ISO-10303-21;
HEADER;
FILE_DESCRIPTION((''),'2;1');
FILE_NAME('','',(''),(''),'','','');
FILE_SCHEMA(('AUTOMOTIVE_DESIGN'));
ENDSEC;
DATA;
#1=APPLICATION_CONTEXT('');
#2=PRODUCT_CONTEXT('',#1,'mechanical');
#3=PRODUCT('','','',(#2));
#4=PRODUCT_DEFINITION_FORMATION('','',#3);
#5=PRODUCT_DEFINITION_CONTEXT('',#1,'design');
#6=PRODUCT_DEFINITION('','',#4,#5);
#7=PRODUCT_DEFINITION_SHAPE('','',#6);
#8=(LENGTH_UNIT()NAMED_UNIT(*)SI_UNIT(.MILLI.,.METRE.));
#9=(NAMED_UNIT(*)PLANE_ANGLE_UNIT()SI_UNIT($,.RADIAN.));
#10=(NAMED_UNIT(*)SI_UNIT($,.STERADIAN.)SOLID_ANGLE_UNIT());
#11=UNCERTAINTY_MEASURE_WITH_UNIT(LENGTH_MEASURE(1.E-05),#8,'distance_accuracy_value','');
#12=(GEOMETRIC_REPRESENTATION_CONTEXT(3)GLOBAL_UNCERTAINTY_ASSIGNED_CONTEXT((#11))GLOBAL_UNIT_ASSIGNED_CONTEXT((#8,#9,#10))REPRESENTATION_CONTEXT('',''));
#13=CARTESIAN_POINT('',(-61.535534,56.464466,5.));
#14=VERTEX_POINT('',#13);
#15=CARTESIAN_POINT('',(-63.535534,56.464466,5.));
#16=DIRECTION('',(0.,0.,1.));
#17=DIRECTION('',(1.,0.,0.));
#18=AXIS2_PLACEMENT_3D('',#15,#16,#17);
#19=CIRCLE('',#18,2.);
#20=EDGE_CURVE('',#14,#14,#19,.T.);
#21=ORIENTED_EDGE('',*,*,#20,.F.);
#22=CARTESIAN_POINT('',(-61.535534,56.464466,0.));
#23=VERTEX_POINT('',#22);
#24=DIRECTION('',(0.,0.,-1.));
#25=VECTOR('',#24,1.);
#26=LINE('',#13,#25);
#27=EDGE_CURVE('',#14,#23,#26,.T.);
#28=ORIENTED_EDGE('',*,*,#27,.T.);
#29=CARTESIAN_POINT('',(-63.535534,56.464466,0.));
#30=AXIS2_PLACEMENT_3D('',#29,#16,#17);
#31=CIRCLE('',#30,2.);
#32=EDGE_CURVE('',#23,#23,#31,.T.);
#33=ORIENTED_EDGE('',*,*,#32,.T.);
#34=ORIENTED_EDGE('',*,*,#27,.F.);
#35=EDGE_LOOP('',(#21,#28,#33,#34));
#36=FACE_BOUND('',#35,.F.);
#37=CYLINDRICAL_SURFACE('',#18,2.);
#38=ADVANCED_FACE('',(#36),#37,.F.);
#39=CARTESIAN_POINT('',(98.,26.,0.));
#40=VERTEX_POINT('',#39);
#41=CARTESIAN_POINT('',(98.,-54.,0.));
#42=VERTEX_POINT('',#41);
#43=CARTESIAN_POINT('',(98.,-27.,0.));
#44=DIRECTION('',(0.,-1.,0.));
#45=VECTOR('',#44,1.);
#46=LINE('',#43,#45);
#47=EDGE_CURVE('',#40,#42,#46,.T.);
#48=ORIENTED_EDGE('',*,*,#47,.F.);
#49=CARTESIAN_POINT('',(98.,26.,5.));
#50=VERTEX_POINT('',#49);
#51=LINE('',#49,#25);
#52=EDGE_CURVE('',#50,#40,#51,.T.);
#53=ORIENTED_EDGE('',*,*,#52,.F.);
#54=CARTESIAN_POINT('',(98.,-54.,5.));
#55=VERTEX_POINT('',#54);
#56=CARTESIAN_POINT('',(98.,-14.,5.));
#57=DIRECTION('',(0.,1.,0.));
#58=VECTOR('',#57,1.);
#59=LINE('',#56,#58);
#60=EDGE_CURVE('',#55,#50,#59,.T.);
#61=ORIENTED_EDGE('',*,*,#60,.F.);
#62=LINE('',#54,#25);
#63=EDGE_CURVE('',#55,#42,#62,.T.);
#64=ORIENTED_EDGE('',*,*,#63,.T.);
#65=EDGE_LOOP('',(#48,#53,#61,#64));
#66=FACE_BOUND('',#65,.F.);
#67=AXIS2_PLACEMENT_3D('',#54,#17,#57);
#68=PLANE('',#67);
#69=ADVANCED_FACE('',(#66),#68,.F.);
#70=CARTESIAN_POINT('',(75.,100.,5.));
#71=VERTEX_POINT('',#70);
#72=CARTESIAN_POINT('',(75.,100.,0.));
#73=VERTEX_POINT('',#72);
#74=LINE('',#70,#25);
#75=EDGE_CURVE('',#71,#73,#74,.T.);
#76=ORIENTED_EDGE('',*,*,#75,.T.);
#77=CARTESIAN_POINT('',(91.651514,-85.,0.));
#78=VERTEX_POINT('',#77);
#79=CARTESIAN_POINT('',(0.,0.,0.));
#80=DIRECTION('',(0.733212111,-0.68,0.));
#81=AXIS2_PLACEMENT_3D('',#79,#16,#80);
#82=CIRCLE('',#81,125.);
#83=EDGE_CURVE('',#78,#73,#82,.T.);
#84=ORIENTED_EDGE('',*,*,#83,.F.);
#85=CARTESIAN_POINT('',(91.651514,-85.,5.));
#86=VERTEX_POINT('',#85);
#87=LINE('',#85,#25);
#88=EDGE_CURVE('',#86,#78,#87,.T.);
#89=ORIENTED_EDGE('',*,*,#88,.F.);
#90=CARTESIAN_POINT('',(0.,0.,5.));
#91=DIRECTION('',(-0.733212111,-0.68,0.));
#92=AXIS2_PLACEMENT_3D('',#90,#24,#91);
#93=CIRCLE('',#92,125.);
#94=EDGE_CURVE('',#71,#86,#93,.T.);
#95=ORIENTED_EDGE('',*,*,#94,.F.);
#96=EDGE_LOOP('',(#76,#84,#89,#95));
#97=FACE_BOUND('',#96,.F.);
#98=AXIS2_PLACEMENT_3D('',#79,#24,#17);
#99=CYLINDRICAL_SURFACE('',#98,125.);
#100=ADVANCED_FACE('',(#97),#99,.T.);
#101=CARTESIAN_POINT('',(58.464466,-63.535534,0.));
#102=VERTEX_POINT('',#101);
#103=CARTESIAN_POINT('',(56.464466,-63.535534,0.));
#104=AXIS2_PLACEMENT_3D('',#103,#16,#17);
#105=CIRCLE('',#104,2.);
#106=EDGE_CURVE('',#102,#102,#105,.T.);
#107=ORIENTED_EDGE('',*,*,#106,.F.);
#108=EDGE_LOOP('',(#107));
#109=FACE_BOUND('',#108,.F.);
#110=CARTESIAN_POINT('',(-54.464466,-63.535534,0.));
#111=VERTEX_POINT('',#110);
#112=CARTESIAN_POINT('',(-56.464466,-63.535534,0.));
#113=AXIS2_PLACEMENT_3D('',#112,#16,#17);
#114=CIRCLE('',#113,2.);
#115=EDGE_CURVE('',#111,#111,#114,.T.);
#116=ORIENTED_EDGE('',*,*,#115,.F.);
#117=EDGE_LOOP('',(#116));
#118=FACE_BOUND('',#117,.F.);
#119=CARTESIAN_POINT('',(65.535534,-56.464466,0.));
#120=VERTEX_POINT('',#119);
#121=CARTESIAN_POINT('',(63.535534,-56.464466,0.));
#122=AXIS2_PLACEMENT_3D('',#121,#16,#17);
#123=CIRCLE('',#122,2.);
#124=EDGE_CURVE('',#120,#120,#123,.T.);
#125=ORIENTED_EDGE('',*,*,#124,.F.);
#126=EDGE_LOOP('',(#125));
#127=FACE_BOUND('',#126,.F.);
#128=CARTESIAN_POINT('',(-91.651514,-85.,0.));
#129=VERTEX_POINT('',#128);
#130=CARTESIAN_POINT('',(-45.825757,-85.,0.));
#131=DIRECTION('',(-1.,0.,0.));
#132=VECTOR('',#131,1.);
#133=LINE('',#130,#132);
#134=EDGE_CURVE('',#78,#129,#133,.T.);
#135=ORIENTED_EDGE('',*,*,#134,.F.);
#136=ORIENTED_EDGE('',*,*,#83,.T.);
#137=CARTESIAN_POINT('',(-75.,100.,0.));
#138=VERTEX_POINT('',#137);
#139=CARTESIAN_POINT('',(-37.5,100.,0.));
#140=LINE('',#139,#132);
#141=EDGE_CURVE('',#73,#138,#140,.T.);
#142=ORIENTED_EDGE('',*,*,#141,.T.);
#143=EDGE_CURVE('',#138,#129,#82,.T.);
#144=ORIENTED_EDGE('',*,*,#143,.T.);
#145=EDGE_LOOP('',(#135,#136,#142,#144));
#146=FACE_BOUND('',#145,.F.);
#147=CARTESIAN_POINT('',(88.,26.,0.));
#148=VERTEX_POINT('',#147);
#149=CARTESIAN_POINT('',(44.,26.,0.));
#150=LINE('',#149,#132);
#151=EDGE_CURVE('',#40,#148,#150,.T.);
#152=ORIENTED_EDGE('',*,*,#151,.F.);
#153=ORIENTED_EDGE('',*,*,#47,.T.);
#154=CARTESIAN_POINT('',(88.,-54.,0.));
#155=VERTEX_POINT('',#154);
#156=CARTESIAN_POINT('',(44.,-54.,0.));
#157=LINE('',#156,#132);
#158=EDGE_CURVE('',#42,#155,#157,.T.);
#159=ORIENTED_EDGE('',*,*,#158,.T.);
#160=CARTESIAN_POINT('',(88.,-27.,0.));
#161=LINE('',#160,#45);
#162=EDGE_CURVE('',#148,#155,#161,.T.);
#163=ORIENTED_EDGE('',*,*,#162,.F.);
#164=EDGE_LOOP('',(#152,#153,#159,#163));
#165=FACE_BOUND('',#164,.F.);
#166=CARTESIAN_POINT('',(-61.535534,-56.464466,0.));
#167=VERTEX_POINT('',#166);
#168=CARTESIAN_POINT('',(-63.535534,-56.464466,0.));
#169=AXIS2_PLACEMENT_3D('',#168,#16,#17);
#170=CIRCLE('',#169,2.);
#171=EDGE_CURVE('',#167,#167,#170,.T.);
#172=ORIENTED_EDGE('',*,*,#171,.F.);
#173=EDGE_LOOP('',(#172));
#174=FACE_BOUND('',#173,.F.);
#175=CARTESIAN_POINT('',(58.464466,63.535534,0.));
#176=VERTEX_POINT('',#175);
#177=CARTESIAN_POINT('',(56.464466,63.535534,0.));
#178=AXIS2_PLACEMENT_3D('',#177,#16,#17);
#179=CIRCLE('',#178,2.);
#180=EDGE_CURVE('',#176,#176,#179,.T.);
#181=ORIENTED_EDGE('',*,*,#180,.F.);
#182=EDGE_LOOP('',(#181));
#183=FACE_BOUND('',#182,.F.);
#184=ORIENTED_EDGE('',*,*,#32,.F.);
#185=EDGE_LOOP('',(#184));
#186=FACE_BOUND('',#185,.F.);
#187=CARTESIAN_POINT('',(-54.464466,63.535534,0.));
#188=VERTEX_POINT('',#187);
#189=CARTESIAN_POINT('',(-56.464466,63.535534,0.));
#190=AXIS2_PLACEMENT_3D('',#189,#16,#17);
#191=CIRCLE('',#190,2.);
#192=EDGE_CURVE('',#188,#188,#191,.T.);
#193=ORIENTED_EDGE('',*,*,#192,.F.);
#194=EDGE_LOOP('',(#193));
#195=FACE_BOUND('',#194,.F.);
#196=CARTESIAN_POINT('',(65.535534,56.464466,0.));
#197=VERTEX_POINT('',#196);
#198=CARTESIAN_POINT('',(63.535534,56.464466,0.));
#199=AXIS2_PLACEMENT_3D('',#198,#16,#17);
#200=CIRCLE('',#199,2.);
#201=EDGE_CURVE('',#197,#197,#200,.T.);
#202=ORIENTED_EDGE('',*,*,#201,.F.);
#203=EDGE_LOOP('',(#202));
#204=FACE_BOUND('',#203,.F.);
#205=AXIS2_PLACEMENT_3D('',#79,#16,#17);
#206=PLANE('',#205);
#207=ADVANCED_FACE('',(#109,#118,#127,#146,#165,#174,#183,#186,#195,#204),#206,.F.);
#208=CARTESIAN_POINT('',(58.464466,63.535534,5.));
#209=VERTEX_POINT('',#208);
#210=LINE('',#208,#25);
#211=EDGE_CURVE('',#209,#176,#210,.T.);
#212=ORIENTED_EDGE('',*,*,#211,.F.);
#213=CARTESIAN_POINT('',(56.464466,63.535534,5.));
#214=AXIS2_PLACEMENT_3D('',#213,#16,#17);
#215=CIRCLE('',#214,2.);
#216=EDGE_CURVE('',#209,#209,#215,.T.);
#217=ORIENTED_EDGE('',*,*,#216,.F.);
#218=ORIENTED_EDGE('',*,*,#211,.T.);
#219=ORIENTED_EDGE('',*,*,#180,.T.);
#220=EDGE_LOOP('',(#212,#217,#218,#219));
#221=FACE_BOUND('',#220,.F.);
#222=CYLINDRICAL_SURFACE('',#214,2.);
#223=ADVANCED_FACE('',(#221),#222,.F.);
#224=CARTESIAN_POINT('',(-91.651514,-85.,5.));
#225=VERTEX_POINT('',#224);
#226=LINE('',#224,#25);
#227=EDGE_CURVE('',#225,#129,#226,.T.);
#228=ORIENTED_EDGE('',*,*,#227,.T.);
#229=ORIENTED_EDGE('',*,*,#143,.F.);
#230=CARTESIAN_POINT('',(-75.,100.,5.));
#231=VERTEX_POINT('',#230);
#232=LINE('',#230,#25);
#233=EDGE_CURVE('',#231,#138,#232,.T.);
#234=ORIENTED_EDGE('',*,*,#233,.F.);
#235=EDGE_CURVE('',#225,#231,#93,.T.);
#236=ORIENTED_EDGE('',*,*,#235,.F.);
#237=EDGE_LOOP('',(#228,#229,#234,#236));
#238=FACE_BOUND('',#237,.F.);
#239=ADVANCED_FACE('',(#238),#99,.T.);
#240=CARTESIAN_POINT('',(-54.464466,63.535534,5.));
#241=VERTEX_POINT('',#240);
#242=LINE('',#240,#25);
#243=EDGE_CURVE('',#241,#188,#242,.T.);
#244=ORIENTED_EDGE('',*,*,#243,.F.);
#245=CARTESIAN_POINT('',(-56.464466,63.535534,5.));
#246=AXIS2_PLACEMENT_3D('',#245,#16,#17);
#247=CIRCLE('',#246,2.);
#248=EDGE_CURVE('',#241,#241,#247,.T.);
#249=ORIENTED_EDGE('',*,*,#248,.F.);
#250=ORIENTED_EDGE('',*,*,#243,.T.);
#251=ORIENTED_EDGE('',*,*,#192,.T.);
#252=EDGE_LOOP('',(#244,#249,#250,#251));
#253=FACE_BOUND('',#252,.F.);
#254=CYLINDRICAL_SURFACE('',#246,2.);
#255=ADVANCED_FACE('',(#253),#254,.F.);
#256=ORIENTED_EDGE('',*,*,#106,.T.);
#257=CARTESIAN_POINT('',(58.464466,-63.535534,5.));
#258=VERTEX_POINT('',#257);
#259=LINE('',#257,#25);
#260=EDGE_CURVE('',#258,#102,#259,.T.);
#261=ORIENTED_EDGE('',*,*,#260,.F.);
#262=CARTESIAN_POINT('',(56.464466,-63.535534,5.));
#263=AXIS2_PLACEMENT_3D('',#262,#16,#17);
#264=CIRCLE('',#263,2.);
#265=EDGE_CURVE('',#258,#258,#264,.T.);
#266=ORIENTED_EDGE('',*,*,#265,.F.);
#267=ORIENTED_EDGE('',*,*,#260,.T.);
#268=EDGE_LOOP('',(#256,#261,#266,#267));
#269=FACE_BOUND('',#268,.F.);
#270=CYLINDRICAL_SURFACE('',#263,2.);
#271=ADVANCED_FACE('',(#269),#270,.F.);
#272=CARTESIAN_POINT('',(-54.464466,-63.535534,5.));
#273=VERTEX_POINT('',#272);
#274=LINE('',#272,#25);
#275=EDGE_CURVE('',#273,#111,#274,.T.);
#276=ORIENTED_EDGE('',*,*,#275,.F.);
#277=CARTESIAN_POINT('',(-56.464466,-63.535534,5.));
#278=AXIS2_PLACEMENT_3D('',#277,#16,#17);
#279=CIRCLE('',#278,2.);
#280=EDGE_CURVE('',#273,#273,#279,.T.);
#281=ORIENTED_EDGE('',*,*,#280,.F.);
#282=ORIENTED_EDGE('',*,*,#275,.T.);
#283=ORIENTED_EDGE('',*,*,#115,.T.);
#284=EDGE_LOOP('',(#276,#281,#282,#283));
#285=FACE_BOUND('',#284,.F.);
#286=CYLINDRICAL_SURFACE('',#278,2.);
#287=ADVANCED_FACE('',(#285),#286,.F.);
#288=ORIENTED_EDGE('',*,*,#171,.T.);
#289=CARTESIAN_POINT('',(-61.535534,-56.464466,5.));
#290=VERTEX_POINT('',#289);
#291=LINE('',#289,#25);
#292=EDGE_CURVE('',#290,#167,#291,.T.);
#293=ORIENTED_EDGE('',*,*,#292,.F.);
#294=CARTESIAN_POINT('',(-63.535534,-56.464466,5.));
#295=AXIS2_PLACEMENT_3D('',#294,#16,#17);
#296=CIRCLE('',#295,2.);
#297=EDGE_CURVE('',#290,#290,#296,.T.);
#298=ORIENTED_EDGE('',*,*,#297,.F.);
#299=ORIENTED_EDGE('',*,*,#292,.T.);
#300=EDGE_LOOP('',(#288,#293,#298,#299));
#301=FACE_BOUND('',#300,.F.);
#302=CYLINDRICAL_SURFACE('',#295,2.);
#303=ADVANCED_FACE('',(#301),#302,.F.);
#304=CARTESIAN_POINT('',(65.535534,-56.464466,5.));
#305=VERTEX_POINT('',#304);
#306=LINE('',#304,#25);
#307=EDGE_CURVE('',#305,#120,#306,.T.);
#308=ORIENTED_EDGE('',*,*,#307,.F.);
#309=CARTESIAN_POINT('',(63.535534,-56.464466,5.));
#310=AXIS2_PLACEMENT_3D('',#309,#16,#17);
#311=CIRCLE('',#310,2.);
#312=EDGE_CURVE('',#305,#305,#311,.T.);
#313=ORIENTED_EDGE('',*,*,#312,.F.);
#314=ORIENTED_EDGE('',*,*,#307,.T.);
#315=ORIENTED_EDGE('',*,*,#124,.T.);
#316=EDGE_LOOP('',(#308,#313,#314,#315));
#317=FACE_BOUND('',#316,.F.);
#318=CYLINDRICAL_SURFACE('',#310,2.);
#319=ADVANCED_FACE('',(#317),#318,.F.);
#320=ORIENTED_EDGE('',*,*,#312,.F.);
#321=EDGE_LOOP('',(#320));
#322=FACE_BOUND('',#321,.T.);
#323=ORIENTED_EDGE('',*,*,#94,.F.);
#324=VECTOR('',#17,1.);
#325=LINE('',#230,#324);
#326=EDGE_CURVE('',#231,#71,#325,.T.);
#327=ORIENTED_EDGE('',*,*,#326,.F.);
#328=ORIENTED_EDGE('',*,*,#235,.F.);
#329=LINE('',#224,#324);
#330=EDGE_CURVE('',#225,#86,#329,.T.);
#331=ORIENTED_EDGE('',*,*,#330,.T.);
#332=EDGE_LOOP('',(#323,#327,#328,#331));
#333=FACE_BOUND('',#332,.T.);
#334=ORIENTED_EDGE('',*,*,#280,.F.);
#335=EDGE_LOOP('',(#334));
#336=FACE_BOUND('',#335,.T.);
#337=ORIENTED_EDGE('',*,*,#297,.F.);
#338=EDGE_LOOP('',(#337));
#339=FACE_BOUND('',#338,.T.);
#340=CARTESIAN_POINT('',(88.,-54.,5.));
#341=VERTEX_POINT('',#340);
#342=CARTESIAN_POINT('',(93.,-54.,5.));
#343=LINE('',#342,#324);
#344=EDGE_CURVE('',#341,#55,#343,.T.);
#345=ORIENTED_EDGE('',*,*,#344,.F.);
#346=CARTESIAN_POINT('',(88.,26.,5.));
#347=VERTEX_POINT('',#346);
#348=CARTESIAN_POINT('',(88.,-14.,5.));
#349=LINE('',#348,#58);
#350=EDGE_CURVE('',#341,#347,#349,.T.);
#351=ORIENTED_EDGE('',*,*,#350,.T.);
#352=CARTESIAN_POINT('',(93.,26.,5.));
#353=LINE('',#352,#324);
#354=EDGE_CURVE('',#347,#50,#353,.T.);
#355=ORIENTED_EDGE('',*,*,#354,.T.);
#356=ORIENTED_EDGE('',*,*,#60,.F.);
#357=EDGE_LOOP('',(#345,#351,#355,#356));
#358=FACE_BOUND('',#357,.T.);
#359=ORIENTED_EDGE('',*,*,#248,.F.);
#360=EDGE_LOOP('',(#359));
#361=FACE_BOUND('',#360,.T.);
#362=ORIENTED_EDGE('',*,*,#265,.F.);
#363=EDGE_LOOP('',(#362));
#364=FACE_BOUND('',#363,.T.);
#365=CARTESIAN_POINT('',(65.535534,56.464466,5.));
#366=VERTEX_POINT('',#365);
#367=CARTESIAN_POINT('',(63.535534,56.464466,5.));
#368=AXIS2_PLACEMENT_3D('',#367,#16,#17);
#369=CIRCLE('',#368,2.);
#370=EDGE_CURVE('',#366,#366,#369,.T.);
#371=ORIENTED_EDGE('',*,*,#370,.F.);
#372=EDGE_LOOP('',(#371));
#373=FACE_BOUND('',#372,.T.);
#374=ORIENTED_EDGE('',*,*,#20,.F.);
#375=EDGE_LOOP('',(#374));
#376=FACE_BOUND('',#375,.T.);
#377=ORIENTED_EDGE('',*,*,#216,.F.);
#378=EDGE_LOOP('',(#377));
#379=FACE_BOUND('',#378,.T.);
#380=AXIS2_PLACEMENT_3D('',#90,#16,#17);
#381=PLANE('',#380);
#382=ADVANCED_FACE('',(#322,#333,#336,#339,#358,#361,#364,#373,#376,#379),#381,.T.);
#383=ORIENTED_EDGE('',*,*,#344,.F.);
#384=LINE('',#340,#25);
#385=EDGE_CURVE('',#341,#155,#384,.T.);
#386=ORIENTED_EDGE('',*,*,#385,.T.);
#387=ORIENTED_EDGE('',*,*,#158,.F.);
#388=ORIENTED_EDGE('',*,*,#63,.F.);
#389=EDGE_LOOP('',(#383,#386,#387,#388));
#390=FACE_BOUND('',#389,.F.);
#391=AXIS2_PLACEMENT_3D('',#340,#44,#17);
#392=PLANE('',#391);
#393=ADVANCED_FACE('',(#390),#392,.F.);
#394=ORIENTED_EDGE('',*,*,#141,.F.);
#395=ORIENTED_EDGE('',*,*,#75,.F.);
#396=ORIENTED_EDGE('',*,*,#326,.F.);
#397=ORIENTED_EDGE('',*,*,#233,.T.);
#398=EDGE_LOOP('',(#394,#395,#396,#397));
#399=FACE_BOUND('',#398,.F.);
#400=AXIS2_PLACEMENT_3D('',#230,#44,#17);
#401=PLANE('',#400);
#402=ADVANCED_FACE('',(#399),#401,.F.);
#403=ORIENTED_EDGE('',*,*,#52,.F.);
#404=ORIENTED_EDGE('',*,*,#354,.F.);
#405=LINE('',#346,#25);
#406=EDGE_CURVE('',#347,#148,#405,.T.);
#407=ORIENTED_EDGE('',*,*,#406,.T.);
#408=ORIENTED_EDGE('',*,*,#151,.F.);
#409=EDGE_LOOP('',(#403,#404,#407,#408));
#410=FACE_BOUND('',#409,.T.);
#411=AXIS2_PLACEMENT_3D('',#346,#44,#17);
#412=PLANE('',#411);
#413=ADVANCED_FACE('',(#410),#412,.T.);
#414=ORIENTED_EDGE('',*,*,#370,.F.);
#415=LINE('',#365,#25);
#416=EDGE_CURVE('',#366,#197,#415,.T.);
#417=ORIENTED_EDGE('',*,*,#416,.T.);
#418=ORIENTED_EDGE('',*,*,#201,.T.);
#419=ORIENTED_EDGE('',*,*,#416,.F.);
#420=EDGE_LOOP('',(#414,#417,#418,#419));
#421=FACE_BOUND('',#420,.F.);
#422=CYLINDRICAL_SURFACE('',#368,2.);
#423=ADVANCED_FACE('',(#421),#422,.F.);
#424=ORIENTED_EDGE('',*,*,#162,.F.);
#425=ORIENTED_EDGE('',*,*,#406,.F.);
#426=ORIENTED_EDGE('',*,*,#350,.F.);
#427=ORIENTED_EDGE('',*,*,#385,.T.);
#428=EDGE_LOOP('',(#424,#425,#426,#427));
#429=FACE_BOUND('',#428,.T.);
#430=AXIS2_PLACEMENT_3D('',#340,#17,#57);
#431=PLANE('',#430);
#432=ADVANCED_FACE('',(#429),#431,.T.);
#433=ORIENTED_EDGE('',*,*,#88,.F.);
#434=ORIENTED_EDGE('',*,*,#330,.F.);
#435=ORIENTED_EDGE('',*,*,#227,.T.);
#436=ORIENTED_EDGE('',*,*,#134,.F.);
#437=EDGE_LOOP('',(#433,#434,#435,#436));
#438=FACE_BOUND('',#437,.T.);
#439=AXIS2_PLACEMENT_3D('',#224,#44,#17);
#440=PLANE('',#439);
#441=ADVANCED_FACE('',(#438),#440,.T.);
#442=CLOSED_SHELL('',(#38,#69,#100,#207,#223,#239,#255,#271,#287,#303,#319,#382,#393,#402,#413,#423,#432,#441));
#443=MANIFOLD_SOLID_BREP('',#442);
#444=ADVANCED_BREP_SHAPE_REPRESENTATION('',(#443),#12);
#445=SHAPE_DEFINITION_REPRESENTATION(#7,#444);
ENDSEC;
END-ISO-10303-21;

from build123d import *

# Parameters (mm, degrees)
SKETCH1_R           = 125
BOSS_EXTRUDE1_DEPTH = 5
CUT_EXTRUDE1_REACH  = 7
SKETCH2_R           = 2
CUT_EXTRUDE2_REACH  = 7
CUT_EXTRUDE3_REACH  = 7
SKETCH4_W           = 10
SKETCH4_H           = 80
CUT_EXTRUDE4_REACH  = 7


with BuildPart() as part:
    # Sketch1 → Boss-Extrude1 (new body)
    with BuildSketch(Plane.XY):
        Circle(SKETCH1_R)
    extrude(amount=BOSS_EXTRUDE1_DEPTH)

    # Sketch2 → Cut-Extrude1 (cut, up to next)
    with BuildSketch(Plane.XY.offset(5), mode=Mode.PRIVATE) as cut_extrude1_sk1:
        with Locations((-56.464466094, -63.535533906)):
            Circle(SKETCH2_R)
    cut_extrude1_tool1 = extrude(cut_extrude1_sk1.sketch, amount=-CUT_EXTRUDE1_REACH, mode=Mode.PRIVATE) & part.part
    add(cut_extrude1_tool1.solids().sort_by_distance((-56.464466, -63.535534, 5))[0], mode=Mode.SUBTRACT)
    # Sketch2 → Cut-Extrude1 (cut, up to next)
    with BuildSketch(Plane.XY.offset(5), mode=Mode.PRIVATE) as cut_extrude1_sk2:
        with Locations((-63.535533906, -56.464466094)):
            Circle(SKETCH2_R)
    cut_extrude1_tool2 = extrude(cut_extrude1_sk2.sketch, amount=-CUT_EXTRUDE1_REACH, mode=Mode.PRIVATE) & part.part
    add(cut_extrude1_tool2.solids().sort_by_distance((-63.535534, -56.464466, 5))[0], mode=Mode.SUBTRACT)
    # Sketch2 → Cut-Extrude1 (cut, up to next)
    with BuildSketch(Plane.XY.offset(5), mode=Mode.PRIVATE) as cut_extrude1_sk3:
        with Locations((-56.464466094, 63.535533906)):
            Circle(SKETCH2_R)
    cut_extrude1_tool3 = extrude(cut_extrude1_sk3.sketch, amount=-CUT_EXTRUDE1_REACH, mode=Mode.PRIVATE) & part.part
    add(cut_extrude1_tool3.solids().sort_by_distance((-56.464466, 63.535534, 5))[0], mode=Mode.SUBTRACT)
    # Sketch2 → Cut-Extrude1 (cut, up to next)
    with BuildSketch(Plane.XY.offset(5), mode=Mode.PRIVATE) as cut_extrude1_sk4:
        with Locations((-63.535533906, 56.464466094)):
            Circle(SKETCH2_R)
    cut_extrude1_tool4 = extrude(cut_extrude1_sk4.sketch, amount=-CUT_EXTRUDE1_REACH, mode=Mode.PRIVATE) & part.part
    add(cut_extrude1_tool4.solids().sort_by_distance((-63.535534, 56.464466, 5))[0], mode=Mode.SUBTRACT)
    # Sketch2 → Cut-Extrude1 (cut, up to next)
    with BuildSketch(Plane.XY.offset(5), mode=Mode.PRIVATE) as cut_extrude1_sk5:
        with Locations((56.464466094, 63.535533906)):
            Circle(SKETCH2_R)
    cut_extrude1_tool5 = extrude(cut_extrude1_sk5.sketch, amount=-CUT_EXTRUDE1_REACH, mode=Mode.PRIVATE) & part.part
    add(cut_extrude1_tool5.solids().sort_by_distance((56.464466, 63.535534, 5))[0], mode=Mode.SUBTRACT)
    # Sketch2 → Cut-Extrude1 (cut, up to next)
    with BuildSketch(Plane.XY.offset(5), mode=Mode.PRIVATE) as cut_extrude1_sk6:
        with Locations((63.535533906, 56.464466094)):
            Circle(SKETCH2_R)
    cut_extrude1_tool6 = extrude(cut_extrude1_sk6.sketch, amount=-CUT_EXTRUDE1_REACH, mode=Mode.PRIVATE) & part.part
    add(cut_extrude1_tool6.solids().sort_by_distance((63.535534, 56.464466, 5))[0], mode=Mode.SUBTRACT)
    # Sketch2 → Cut-Extrude1 (cut, up to next)
    with BuildSketch(Plane.XY.offset(5), mode=Mode.PRIVATE) as cut_extrude1_sk7:
        with Locations((63.535533906, -56.464466094)):
            Circle(SKETCH2_R)
    cut_extrude1_tool7 = extrude(cut_extrude1_sk7.sketch, amount=-CUT_EXTRUDE1_REACH, mode=Mode.PRIVATE) & part.part
    add(cut_extrude1_tool7.solids().sort_by_distance((63.535534, -56.464466, 5))[0], mode=Mode.SUBTRACT)
    # Sketch2 → Cut-Extrude1 (cut, up to next)
    with BuildSketch(Plane.XY.offset(5), mode=Mode.PRIVATE) as cut_extrude1_sk8:
        with Locations((56.464466094, -63.535533906)):
            Circle(SKETCH2_R)
    cut_extrude1_tool8 = extrude(cut_extrude1_sk8.sketch, amount=-CUT_EXTRUDE1_REACH, mode=Mode.PRIVATE) & part.part
    add(cut_extrude1_tool8.solids().sort_by_distance((56.464466, -63.535534, 5))[0], mode=Mode.SUBTRACT)

    # Sketch3 → Cut-Extrude2 (cut, up to next)
    with BuildSketch(Plane.XY.offset(5), mode=Mode.PRIVATE) as cut_extrude2_sk1:
        with BuildLine():
            Line((-91.651513899, -85), (91.651513899, -85))
            ThreePointArc((91.651513899, -85), (0, -125), (-91.651513899, -85))
        make_face()
    cut_extrude2_tool1 = extrude(cut_extrude2_sk1.sketch, amount=-CUT_EXTRUDE2_REACH, mode=Mode.PRIVATE) & part.part
    add(cut_extrude2_tool1.solids().sort_by_distance((0, -101.241971, 5))[0], mode=Mode.SUBTRACT)

    # Sketch4 → Cut-Extrude3 (cut, up to next)
    with BuildSketch(Plane.XY.offset(5), mode=Mode.PRIVATE) as cut_extrude3_sk1:
        with Locations((93, -14)):
            Rectangle(SKETCH4_W, SKETCH4_H)
    cut_extrude3_tool1 = extrude(cut_extrude3_sk1.sketch, amount=-CUT_EXTRUDE3_REACH, mode=Mode.PRIVATE) & part.part
    add(cut_extrude3_tool1.solids().sort_by_distance((93, -14, 5))[0], mode=Mode.SUBTRACT)

    # Sketch5 → Cut-Extrude4 (cut, up to next)
    with BuildSketch(Plane.XY.offset(5), mode=Mode.PRIVATE) as cut_extrude4_sk1:
        with BuildLine():
            ThreePointArc((75, 100), (0, 125), (-75, 100))
            Line((-75, 100), (75, 100))
        make_face()
    cut_extrude4_tool1 = extrude(cut_extrude4_sk1.sketch, amount=-CUT_EXTRUDE4_REACH, mode=Mode.PRIVATE) & part.part
    add(cut_extrude4_tool1.solids().sort_by_distance((0, 110.090997, 5))[0], mode=Mode.SUBTRACT)


solid = part.part
